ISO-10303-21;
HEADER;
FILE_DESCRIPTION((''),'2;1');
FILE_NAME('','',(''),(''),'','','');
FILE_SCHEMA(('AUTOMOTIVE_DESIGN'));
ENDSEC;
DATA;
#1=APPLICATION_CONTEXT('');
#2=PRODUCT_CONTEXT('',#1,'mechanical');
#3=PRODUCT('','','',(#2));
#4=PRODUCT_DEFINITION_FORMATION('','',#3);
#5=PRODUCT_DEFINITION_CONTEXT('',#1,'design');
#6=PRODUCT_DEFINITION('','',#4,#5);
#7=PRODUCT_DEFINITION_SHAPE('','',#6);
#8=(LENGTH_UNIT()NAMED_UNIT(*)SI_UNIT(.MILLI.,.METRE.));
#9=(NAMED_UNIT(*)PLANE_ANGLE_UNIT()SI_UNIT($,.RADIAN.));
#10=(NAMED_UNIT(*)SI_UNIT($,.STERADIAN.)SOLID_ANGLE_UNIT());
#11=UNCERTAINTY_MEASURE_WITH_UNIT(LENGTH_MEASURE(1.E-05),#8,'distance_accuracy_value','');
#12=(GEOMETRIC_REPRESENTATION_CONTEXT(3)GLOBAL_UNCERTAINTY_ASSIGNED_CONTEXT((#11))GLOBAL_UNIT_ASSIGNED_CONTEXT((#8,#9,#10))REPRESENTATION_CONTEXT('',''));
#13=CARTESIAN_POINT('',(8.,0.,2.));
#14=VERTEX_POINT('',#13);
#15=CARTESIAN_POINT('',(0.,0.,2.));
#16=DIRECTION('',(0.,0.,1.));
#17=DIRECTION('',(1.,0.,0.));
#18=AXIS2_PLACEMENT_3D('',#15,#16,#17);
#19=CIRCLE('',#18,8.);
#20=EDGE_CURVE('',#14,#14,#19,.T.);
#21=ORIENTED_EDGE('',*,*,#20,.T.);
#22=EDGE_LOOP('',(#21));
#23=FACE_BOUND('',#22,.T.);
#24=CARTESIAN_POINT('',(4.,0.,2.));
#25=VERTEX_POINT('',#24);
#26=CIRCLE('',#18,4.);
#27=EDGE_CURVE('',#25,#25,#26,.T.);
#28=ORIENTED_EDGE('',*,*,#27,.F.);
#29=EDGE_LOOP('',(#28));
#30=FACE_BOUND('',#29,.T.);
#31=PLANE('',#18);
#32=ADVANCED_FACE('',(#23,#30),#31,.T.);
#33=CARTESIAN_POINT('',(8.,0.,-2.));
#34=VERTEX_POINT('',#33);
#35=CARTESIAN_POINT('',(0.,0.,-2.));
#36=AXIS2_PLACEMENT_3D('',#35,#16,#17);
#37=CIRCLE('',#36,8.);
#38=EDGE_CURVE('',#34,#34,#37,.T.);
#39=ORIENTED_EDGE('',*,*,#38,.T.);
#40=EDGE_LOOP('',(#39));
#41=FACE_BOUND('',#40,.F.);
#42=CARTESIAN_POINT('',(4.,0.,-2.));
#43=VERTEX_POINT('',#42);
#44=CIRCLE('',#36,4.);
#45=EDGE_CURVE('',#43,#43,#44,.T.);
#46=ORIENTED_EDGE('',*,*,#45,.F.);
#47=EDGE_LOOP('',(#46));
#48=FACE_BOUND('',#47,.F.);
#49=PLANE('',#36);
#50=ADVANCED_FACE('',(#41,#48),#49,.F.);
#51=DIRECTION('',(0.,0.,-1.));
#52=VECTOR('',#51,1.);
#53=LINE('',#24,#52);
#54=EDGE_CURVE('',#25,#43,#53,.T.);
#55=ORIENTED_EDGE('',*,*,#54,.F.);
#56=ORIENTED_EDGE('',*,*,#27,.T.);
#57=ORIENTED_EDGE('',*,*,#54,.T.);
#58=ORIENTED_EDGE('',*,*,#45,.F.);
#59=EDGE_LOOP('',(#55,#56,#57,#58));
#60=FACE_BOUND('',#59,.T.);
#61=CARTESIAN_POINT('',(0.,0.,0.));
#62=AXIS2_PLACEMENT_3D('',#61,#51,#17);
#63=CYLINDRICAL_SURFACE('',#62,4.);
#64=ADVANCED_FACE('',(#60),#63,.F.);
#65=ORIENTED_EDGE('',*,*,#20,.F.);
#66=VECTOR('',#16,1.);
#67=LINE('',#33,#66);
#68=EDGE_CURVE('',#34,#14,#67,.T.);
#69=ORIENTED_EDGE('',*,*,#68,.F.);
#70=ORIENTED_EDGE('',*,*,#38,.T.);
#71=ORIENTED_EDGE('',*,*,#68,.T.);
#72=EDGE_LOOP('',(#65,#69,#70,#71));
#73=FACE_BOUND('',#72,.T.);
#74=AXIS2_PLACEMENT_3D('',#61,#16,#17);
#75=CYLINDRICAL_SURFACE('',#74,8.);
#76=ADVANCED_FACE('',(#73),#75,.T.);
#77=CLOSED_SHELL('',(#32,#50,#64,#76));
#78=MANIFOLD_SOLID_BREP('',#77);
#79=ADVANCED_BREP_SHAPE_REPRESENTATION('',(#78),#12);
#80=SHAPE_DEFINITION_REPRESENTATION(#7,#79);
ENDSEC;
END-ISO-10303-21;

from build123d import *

# Parameters (mm, degrees)
SKETCH2_R           = 8
SKETCH2_R_2         = 4
BOSS_EXTRUDE1_DEPTH = 2


with BuildPart() as part:
    # Sketch2 → Boss-Extrude1 (new, symmetric)
    with BuildSketch(Plane.XY):
        Circle(SKETCH2_R)
        Circle(SKETCH2_R_2, mode=Mode.SUBTRACT)
    extrude(amount=BOSS_EXTRUDE1_DEPTH, both=True)


solid = part.part
